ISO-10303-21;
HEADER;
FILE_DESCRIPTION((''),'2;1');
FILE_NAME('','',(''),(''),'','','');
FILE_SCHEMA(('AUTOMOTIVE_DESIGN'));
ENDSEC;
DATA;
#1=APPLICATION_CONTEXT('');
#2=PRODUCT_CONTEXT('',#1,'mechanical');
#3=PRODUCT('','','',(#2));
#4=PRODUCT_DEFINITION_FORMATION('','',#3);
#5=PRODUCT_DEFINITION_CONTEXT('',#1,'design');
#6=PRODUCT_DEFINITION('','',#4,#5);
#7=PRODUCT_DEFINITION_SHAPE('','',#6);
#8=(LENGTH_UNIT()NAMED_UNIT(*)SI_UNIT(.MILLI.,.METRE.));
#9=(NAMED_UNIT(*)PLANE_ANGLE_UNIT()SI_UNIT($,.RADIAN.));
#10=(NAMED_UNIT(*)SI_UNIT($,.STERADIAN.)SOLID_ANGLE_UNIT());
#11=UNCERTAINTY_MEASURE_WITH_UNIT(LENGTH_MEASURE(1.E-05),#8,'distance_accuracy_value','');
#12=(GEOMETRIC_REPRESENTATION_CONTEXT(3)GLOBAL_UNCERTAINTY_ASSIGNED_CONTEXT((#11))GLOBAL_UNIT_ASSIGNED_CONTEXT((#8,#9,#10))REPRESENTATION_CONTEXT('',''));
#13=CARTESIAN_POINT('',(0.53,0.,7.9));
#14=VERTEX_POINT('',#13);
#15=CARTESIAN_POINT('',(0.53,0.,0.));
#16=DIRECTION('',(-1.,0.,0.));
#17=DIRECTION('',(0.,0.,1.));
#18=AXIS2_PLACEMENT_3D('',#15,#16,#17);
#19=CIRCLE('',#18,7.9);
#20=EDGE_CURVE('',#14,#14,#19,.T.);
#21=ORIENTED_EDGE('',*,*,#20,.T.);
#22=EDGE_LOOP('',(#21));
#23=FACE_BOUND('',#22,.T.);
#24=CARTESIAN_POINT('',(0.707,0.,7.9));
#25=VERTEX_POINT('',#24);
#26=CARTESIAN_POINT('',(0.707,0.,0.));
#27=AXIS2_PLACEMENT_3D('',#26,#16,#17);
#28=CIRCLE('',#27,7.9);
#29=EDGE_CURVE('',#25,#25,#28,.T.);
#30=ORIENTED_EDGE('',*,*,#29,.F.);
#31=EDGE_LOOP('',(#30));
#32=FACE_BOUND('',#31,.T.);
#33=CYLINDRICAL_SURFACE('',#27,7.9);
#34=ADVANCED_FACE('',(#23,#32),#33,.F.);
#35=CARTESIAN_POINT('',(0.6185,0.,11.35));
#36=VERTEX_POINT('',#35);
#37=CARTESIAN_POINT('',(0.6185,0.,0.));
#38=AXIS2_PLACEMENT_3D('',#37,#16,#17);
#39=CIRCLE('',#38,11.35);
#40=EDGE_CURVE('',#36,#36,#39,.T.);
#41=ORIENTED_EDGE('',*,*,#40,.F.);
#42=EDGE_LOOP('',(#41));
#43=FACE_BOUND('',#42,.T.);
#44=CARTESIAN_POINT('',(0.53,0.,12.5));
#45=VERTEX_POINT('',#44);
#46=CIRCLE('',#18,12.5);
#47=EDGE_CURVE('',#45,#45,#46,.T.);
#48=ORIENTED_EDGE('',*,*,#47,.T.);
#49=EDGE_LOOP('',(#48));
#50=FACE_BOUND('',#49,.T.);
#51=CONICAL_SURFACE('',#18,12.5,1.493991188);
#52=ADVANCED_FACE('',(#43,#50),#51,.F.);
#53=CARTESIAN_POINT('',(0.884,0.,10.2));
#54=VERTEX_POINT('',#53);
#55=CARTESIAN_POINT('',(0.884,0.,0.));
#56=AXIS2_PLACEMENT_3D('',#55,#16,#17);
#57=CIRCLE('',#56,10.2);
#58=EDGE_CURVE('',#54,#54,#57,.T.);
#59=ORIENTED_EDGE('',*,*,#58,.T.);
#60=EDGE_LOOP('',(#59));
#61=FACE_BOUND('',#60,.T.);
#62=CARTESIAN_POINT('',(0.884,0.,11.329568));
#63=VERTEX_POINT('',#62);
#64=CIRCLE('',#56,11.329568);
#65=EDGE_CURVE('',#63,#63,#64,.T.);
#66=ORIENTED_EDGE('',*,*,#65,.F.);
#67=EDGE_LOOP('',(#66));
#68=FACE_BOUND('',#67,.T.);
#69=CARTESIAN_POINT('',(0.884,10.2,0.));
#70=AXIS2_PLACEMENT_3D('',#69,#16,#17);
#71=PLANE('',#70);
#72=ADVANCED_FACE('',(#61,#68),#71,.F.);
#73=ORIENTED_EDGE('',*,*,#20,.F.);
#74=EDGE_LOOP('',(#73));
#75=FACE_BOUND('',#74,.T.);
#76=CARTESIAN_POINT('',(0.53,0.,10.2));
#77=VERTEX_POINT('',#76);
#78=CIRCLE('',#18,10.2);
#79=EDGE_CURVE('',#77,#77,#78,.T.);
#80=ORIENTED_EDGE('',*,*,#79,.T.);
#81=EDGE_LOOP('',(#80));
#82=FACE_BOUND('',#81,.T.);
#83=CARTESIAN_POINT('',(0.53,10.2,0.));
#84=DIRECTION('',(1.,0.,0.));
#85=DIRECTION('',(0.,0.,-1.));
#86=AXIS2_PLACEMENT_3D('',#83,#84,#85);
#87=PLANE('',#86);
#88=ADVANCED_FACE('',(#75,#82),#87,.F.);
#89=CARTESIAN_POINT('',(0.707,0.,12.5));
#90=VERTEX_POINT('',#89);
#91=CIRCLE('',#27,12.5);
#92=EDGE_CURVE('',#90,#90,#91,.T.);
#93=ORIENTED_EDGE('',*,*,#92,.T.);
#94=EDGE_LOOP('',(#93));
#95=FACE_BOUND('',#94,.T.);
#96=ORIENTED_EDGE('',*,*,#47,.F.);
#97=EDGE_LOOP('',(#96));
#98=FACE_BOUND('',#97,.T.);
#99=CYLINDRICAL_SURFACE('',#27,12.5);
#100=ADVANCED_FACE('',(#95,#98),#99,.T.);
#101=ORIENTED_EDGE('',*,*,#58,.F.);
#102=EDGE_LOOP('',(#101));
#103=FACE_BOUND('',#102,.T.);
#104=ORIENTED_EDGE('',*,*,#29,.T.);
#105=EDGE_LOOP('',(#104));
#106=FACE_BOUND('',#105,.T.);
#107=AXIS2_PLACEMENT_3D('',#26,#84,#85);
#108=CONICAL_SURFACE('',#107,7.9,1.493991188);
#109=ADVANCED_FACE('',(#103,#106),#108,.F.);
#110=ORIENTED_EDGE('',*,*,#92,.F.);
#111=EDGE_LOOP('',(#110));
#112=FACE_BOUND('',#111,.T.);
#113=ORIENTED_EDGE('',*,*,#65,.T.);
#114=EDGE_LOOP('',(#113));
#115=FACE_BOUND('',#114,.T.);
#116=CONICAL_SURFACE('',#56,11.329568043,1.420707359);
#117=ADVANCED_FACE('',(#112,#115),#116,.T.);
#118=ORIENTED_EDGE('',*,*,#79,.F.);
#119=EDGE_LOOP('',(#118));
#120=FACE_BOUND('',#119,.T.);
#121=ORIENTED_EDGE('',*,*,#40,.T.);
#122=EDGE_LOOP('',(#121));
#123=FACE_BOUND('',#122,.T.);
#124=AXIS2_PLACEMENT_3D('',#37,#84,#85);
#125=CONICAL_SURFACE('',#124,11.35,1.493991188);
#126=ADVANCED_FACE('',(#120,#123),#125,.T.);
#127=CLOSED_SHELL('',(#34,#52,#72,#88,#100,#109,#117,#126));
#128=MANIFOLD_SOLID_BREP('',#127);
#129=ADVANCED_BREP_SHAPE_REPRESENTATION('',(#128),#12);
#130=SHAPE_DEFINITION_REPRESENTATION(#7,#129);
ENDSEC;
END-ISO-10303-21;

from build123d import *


with BuildPart() as part:
    # Sketch1 → Revolve1 (revolve)
    with BuildSketch(Plane.XY):
        Polygon((0.53, 7.9), (0.707, 7.9), (0.884, 10.2), (0.884, 11.329568043), (0.707, 12.5), (0.53, 12.5), (0.6185, 11.35), (0.53, 10.2), align=None)
    revolve(axis=Axis((0.707, 0, 0), (-1, 0, 0)))


solid = part.part
